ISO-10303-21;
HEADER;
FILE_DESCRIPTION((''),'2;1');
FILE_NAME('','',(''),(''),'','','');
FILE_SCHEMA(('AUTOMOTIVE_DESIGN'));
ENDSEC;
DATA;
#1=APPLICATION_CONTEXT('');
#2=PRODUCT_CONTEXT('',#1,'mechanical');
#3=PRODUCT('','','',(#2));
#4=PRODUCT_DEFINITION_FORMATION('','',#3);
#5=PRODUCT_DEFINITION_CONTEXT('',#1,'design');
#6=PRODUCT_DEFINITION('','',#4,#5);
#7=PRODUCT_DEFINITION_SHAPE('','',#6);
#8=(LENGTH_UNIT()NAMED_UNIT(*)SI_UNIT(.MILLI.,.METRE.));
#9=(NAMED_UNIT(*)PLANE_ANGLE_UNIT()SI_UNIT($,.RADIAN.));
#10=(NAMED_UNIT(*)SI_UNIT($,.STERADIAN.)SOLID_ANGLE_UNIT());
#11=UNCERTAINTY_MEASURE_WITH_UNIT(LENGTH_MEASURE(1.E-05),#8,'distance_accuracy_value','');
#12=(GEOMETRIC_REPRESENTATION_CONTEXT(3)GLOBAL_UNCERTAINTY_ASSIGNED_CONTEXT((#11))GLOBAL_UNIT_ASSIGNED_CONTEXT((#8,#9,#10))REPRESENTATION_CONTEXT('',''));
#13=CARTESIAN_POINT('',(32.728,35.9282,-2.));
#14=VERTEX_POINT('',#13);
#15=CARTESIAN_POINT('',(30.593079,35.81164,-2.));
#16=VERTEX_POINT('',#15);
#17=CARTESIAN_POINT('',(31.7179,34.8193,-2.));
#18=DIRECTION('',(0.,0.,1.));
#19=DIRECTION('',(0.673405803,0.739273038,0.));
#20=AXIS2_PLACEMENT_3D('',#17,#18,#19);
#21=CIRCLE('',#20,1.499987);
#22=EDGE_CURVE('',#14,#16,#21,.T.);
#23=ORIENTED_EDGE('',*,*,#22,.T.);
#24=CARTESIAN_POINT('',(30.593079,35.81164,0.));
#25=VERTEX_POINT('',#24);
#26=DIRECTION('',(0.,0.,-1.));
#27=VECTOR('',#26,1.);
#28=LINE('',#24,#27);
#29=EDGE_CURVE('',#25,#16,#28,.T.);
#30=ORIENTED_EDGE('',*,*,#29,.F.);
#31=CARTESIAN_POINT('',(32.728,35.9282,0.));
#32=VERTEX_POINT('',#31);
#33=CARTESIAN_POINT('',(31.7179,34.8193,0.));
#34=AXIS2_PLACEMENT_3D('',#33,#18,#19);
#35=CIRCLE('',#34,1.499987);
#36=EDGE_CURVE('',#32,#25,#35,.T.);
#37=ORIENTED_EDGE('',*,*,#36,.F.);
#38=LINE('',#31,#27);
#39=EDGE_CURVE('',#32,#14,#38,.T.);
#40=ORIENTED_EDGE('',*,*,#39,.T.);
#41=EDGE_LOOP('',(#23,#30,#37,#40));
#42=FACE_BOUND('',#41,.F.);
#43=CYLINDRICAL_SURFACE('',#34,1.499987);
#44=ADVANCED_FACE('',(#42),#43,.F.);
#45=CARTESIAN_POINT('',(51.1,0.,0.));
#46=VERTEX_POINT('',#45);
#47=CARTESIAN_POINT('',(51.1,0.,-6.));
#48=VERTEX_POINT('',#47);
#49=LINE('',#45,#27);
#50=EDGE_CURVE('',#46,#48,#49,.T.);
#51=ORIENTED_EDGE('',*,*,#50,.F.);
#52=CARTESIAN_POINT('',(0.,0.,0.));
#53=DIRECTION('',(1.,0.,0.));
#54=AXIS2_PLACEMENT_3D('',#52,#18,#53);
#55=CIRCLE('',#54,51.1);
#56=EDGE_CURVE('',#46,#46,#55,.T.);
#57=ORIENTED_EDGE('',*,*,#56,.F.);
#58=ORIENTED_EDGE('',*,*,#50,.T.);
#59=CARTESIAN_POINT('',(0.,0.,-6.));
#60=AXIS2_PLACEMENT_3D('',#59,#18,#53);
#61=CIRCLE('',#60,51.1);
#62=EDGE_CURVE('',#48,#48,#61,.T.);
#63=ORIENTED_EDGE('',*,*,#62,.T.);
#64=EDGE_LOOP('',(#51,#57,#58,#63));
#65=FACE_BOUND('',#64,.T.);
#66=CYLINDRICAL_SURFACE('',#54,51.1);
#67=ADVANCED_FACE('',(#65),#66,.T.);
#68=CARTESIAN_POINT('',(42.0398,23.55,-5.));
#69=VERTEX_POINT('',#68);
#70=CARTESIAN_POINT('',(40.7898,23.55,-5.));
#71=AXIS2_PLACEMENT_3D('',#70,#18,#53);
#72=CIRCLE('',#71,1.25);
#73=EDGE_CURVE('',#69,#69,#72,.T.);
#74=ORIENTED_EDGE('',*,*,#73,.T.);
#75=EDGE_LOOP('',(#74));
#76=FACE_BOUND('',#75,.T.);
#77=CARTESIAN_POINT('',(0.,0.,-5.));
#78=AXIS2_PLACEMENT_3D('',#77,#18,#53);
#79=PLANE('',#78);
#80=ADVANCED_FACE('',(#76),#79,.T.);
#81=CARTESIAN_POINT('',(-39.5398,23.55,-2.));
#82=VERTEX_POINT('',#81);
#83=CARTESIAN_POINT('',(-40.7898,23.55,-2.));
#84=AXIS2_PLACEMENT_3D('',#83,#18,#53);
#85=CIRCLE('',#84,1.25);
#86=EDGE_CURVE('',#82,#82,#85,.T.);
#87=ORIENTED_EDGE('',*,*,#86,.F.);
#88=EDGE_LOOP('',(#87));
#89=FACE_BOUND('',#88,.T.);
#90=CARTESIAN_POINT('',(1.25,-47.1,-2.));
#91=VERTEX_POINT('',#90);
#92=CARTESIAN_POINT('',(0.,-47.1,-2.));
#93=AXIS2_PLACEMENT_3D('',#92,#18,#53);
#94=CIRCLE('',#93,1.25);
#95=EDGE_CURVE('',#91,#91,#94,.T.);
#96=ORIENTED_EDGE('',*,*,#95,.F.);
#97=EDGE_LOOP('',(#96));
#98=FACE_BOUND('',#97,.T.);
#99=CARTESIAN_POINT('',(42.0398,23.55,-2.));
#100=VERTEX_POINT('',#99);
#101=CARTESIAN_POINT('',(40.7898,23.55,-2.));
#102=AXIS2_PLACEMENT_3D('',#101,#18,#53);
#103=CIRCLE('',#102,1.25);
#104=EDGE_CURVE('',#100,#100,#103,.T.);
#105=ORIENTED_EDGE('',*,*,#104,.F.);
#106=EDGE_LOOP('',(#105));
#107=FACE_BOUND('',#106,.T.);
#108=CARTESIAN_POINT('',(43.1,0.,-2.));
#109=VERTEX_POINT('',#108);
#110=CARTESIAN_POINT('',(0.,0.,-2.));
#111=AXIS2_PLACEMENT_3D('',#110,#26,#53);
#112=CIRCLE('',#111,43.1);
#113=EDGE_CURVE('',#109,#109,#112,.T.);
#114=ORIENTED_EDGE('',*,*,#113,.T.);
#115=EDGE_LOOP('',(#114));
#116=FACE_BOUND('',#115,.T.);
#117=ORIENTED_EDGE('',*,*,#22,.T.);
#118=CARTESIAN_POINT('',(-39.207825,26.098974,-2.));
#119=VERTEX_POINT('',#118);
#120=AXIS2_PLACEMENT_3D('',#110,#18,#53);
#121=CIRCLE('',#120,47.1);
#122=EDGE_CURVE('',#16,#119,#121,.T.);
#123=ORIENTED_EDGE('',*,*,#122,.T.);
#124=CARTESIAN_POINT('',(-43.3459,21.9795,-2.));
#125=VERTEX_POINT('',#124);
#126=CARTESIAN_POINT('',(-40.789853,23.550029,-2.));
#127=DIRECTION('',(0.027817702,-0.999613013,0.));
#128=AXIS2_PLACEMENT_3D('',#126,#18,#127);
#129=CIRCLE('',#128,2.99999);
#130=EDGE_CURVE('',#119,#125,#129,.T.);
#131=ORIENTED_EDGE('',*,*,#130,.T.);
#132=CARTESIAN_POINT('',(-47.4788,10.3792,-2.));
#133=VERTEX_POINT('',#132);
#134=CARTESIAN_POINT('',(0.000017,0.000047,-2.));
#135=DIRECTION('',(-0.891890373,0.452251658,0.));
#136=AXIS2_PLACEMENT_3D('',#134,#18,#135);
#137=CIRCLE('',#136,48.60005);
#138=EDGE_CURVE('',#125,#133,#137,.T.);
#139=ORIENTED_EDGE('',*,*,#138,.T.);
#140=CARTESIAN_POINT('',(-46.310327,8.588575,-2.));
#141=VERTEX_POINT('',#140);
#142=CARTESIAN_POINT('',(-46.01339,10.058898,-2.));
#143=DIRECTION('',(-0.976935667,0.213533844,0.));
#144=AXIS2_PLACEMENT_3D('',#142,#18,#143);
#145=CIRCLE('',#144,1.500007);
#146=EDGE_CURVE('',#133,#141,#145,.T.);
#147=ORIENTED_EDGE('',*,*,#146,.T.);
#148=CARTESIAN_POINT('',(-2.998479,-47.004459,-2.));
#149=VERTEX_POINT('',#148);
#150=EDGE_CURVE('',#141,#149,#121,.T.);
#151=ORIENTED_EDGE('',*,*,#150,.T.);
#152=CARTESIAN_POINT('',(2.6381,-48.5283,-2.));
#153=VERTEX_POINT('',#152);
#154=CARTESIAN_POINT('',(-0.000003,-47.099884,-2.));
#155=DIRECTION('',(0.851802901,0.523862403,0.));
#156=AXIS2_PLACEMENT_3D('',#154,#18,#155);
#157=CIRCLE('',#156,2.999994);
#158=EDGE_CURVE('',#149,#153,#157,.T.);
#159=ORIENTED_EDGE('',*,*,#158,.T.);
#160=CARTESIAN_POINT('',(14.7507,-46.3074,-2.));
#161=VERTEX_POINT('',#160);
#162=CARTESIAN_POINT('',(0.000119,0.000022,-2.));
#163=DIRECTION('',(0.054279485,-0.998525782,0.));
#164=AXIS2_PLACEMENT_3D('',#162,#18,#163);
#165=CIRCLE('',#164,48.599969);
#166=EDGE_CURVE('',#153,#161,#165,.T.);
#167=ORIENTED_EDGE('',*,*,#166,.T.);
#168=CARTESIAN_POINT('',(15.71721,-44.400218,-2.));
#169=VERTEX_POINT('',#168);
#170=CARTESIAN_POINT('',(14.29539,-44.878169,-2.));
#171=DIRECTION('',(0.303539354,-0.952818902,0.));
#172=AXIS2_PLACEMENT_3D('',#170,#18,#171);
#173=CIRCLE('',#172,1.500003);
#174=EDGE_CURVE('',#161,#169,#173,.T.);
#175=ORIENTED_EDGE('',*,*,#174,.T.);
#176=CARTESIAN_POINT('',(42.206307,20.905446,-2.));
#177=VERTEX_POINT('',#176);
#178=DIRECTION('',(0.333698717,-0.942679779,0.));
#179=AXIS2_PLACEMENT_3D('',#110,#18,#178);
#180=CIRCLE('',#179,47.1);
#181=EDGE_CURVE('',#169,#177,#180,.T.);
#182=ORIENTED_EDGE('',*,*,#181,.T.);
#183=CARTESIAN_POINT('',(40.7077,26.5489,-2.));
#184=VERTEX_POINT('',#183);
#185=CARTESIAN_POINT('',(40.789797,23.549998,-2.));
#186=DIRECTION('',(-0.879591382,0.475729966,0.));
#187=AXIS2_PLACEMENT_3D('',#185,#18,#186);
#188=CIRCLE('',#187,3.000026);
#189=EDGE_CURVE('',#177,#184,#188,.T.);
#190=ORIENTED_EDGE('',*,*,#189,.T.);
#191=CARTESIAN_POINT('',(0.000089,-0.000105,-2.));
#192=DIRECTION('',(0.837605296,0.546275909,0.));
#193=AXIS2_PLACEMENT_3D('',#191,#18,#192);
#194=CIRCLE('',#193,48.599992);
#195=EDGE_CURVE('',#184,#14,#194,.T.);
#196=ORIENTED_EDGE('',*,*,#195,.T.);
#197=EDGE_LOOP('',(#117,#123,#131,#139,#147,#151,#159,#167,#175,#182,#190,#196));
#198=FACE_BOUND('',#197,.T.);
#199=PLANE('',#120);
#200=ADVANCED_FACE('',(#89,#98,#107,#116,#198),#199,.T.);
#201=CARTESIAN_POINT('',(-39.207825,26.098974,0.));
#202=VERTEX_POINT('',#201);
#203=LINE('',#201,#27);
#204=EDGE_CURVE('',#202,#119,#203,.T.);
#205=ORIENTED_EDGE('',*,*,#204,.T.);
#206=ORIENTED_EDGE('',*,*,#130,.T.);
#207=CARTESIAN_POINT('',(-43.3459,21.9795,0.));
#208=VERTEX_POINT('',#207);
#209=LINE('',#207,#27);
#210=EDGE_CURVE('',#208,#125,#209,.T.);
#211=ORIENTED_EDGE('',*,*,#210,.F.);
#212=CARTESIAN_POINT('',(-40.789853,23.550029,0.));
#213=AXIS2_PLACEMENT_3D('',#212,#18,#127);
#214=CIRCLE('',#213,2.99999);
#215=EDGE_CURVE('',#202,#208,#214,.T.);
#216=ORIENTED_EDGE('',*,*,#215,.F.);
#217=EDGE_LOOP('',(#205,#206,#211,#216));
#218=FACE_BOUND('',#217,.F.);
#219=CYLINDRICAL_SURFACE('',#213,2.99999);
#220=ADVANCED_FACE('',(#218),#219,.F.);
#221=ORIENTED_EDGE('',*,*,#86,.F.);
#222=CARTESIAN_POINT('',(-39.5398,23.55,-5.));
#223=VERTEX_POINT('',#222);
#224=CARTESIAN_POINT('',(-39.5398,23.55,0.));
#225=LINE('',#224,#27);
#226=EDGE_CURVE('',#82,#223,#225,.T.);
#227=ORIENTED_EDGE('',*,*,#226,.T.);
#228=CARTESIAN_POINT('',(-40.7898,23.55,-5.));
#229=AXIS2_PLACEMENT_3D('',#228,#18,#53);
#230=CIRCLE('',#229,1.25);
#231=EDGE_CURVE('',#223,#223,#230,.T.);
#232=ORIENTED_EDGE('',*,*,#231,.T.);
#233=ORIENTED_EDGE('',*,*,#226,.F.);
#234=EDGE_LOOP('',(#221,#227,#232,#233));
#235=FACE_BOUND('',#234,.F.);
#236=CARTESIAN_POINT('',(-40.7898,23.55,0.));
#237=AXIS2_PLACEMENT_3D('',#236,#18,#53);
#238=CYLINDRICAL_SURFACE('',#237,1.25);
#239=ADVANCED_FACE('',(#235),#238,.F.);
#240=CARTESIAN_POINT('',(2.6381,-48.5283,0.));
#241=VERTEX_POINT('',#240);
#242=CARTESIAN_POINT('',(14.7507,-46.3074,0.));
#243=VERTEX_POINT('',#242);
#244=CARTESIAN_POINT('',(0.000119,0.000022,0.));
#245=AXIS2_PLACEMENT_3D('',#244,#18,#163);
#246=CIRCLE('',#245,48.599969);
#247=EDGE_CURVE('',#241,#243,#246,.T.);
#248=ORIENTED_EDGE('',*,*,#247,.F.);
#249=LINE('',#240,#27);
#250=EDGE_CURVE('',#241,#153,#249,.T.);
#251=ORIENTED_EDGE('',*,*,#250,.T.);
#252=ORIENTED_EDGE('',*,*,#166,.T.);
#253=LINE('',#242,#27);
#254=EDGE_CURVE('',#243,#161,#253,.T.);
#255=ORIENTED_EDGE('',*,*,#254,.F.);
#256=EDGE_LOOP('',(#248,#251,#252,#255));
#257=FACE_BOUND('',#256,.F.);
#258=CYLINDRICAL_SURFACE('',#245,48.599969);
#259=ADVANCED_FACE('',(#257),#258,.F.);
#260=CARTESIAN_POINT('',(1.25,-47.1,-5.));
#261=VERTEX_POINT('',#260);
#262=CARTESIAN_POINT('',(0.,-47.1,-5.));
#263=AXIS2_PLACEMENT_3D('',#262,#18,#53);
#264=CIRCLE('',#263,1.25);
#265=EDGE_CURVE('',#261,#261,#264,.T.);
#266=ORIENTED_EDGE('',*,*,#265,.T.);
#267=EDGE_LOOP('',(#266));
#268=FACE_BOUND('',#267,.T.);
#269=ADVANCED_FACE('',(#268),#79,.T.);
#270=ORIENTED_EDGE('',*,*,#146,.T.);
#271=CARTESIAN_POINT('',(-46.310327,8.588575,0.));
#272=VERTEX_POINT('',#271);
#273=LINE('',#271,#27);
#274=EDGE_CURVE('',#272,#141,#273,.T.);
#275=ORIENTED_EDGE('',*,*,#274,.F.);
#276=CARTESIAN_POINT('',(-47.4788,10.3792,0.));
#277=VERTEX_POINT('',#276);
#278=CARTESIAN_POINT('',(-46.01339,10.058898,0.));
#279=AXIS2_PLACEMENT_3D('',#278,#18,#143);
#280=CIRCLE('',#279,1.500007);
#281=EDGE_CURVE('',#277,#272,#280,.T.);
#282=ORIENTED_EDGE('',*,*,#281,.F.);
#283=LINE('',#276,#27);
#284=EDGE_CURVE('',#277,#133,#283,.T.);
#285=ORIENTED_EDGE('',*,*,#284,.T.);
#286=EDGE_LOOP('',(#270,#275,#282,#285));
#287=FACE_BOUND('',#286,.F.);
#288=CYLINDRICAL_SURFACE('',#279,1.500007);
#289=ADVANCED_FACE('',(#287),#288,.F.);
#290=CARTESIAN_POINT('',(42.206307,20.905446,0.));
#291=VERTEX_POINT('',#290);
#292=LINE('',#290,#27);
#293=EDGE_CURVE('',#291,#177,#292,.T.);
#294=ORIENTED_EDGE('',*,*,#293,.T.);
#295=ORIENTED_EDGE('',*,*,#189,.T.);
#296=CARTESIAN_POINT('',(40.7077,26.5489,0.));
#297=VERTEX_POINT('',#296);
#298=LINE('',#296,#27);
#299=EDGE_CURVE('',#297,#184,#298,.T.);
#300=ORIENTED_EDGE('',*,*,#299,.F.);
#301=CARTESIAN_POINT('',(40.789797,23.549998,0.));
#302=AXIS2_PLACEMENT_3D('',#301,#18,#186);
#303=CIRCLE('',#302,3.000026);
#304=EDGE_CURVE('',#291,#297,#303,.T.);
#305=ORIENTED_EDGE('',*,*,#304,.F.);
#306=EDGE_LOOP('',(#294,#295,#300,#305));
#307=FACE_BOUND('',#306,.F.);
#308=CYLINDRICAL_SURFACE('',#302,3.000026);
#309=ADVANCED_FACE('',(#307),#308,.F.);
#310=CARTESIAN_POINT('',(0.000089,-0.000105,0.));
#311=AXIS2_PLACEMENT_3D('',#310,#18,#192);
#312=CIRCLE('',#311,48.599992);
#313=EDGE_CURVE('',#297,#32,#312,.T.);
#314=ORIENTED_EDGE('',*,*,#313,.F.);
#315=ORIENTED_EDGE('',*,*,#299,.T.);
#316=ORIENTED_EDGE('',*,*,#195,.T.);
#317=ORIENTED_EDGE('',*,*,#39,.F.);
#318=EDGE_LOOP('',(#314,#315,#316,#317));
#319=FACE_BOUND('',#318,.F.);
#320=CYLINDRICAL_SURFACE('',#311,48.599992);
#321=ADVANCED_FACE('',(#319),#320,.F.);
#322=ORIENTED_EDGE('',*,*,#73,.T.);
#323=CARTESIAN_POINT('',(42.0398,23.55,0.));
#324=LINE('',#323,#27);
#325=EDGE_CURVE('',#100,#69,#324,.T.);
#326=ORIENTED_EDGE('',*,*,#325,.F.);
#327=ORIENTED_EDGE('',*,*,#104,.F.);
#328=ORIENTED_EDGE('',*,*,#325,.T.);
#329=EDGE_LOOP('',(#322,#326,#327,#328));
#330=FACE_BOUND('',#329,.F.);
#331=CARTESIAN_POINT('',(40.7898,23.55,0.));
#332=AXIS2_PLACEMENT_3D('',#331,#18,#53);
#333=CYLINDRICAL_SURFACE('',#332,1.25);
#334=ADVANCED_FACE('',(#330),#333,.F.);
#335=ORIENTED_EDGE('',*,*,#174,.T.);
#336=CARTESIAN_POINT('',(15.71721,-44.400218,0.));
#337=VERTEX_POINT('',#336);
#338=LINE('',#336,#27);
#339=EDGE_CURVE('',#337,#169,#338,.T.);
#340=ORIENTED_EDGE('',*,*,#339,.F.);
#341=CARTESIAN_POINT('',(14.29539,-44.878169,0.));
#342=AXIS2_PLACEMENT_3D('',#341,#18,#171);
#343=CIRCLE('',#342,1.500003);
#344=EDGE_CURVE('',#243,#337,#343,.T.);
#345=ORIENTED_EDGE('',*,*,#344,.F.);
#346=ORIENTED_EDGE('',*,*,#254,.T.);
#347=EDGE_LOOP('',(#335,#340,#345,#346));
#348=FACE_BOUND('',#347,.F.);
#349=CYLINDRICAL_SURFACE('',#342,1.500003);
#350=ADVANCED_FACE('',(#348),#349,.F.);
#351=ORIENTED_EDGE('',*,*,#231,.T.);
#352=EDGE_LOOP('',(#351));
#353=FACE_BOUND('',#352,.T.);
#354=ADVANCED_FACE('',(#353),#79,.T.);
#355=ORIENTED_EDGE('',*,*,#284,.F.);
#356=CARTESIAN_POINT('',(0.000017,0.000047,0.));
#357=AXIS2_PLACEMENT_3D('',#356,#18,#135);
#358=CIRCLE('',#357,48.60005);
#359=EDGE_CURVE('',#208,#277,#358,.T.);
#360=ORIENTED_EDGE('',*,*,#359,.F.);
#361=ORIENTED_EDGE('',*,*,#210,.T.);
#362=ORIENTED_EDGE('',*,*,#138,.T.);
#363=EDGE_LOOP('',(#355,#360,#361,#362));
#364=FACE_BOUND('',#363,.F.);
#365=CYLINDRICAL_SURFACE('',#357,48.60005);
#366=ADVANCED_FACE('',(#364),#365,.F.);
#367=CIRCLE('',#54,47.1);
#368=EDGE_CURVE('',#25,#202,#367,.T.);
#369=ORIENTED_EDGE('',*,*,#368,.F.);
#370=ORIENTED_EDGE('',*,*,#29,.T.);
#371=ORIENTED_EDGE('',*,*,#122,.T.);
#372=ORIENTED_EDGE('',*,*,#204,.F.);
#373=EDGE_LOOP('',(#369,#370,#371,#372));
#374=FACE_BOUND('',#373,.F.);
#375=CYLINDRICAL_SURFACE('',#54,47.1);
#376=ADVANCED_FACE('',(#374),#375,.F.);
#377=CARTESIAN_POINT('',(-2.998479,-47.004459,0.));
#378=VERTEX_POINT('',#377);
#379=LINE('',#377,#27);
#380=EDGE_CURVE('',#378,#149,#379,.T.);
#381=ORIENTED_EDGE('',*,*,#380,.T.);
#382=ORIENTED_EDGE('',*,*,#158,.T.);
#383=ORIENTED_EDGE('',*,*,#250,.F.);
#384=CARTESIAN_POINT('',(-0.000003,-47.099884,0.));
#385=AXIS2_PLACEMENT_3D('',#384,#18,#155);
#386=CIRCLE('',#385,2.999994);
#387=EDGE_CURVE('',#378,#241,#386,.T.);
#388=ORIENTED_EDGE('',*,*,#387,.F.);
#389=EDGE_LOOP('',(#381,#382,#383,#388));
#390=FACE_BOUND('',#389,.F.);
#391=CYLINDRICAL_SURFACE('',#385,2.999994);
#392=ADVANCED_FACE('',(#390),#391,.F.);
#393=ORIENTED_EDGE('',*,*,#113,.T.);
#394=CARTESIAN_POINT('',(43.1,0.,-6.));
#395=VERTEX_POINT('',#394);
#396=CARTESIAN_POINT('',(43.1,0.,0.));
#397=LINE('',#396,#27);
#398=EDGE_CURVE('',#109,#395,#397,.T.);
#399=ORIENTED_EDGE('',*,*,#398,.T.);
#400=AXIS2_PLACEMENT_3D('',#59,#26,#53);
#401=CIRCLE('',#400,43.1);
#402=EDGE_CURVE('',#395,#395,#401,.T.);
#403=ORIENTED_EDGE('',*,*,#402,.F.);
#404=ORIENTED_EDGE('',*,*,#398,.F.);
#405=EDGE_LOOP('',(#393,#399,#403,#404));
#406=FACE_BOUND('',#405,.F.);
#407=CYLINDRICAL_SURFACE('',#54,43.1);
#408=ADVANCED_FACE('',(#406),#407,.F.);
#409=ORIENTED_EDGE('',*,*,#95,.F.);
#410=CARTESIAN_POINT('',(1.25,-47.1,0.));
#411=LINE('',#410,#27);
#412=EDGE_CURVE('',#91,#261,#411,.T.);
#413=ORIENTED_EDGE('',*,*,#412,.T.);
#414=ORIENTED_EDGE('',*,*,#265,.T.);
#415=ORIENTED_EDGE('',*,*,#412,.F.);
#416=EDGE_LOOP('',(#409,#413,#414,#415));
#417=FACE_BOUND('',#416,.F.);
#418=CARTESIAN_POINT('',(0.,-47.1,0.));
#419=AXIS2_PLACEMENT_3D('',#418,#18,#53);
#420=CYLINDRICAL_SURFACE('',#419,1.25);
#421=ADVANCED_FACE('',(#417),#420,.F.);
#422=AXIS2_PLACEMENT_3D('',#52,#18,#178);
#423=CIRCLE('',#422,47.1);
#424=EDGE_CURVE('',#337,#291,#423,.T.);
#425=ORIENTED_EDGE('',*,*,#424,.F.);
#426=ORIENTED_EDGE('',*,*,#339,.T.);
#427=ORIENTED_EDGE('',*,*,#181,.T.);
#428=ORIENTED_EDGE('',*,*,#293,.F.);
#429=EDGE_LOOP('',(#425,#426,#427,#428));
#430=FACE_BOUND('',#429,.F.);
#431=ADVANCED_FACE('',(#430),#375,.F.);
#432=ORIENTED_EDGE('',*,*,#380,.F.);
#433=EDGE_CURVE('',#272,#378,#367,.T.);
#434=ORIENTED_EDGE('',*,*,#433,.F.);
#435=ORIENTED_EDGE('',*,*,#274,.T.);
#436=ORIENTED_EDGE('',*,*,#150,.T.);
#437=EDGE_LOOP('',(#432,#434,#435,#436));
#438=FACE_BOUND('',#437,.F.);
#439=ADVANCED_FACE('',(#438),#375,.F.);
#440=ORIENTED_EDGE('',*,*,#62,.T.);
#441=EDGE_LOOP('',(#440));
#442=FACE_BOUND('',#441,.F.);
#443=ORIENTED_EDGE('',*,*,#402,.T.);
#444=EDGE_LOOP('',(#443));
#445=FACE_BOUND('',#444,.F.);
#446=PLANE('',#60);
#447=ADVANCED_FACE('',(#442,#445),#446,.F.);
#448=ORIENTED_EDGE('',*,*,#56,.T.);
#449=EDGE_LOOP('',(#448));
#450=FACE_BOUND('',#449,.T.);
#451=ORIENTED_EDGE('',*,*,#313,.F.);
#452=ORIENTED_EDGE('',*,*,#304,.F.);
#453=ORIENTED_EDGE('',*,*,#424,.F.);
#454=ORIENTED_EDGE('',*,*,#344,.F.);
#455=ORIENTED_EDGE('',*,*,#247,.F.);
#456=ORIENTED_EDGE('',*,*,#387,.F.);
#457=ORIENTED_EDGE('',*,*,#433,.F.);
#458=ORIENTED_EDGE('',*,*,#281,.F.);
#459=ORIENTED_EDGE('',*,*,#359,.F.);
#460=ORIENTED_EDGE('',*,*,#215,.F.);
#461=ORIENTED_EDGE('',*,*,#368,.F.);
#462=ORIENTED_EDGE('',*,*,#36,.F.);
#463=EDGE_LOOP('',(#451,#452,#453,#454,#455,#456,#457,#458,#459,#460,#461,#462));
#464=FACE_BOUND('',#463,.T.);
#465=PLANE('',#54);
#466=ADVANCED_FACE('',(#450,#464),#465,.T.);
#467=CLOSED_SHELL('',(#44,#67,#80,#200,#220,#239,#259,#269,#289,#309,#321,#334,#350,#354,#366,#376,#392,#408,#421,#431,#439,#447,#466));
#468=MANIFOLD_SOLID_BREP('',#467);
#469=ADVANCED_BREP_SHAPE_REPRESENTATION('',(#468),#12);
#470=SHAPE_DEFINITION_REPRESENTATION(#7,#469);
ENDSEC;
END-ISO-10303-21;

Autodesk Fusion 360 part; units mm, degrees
sketch "草图1" plane through (0, 0, 0) normal (0, 0, 1) x (1, 0, 0)
  line L0 (0.9, -43.0906) -> (0.9, -43.1)
  arc A0 (2.5554, -45.5283) -> (2.6381, -48.5283) centre (0, -47.1) ccw
  line L1 (28.4627, -32.3648) -> (28.4702, -32.3737)
  arc A1 (14.7507, -46.3074) -> (13.8402, -43.4489) centre (14.2954, -44.8782) ccw
  line L2 (30.5781, -30.3742) -> (30.6917, -30.5096)
  arc A2 (2.6381, -48.5283) -> (14.7507, -46.3074) centre (0, 0) ccw
  line L3 (42.2601, -8.467) -> (42.2716, -8.469)
  circle A3 centre (0, 0) radius 43.1
  line L4 (11.0158, 41.6685) -> (11.0763, 41.8346)
  arc A4 (-47.4788, 10.3792) -> (-44.548, 9.7385) centre (-46.0134, 10.0589) ccw
  circle A5 centre (40.7898, 23.55) radius 1.25
  line L5 (-11.0158, 41.6685) -> (-11.0763, 41.8346)
  line L6 (-36.8676, 22.3247) -> (-36.8757, 22.3294)
  line L7 (36.8676, 22.3247) -> (36.8757, 22.3294)
  line L8 (-13.7974, 40.8319) -> (-13.8014, 40.8428)
  circle A6 centre (0, 0) radius 47.1 construction
  line L9 (41.5939, -11.2943) -> (41.768, -11.325)
  arc A7 (38.151, 24.9772) -> (30.7078, 33.7104) centre (0, 0) ccw
  arc A8 (-43.3459, 21.9795) -> (-47.4788, 10.3792) centre (0, 0) ccw
  line L10 (-41.5939, -11.2943) -> (-41.768, -11.325)
  line L11 (-28.4627, -32.3648) -> (-28.4702, -32.3737)
  line L12 (-37.7676, 20.7659) -> (-37.7757, 20.7706)
  arc A9 (32.728, 35.9282) -> (30.7078, 33.7104) centre (31.7179, 34.8193) ccw
  arc A10 (-40.7064, 20.5512) -> (-44.548, 9.7385) centre (0, 0) ccw
  circle A11 centre (0, 0) radius 44.72 construction
  arc A12 (40.7077, 26.5489) -> (32.728, 35.9282) centre (0, 0) ccw
  line L13 (-0.9, -43.0906) -> (-0.9, -43.1)
  arc A13 (-40.7064, 20.5512) -> (-43.3459, 21.9795) centre (-40.7898, 23.55) ccw
  arc A14 (38.151, 24.9772) -> (40.7077, 26.5489) centre (40.7898, 23.55) ccw
  circle A15 centre (0, 0) radius 51.1
  line L14 (13.7974, 40.8319) -> (13.8014, 40.8428)
  circle A16 centre (0, -47.1) radius 1.25
  line L15 (-30.5781, -30.3742) -> (-30.6917, -30.5096)
  line L16 (-42.2601, -8.467) -> (-42.2716, -8.469)
  arc A17 (2.5554, -45.5283) -> (13.8402, -43.4489) centre (0, 0) ccw
  circle A18 centre (-40.7898, 23.55) radius 1.25
  line L17 (37.7676, 20.7659) -> (37.7757, 20.7706)
  line L18 (-15.6751, 9.05) -> (-16.3679, 9.45) construction
  line L19 (-37.3257, 21.55) -> (-41.5692, 24) construction
  line L20 (43.1, 0) -> (48, 0) construction
  line L21 (0, -43.1) -> (0, -51.1) construction
  circle A19 centre (0, 0) radius 47.1
  dimension "d17" = 1.8
  dimension "d22" = 6
  dimension "d23" = 3
  dimension "d24" = 2.5
  dimension "d25" = 2.5
  dimension "d26" = 2.5
  dimension "d27" = 86.2
  dimension "d28" = 102.2
extrude "拉伸4" add sketch "草图1" against normal blind 6 contours A0 A1 A16 A17 A19 | A0 A1 A4 A7 A9 A10 A13 A14 A17 A19 | A0 A1 A2 A16 A19 | A4 A10 A13 A18 A19 | A4 A8 A13 A18 A19 | A16 A19 | A16 A19 | A18 A19 | A18 A19 | A5 A9 A12 A14 A19 | A5 A7 A9 A14 A19 | A5 A19 | A5 A19 | A15
extrude "拉伸5" cut sketch "草图1" against normal blind 2 contours A0 A1 A16 A17 A19 | A0 A1 A4 A7 A9 A10 A13 A14 A17 A19 | A0 A1 A2 A16 A19 | A4 A10 A13 A18 A19 | A4 A8 A13 A18 A19 | A16 A19 | A16 A19 | A18 A19 | A18 A19 | A5 A9 A12 A14 A19 | A5 A7 A9 A14 A19 | A5 A19 | A5 A19
extrude "拉伸6" cut sketch "草图1" against normal blind 5 contours A16 A19 | A16 A19 | A18 A19 | A18 A19 | A5 A19 | A5 A19
